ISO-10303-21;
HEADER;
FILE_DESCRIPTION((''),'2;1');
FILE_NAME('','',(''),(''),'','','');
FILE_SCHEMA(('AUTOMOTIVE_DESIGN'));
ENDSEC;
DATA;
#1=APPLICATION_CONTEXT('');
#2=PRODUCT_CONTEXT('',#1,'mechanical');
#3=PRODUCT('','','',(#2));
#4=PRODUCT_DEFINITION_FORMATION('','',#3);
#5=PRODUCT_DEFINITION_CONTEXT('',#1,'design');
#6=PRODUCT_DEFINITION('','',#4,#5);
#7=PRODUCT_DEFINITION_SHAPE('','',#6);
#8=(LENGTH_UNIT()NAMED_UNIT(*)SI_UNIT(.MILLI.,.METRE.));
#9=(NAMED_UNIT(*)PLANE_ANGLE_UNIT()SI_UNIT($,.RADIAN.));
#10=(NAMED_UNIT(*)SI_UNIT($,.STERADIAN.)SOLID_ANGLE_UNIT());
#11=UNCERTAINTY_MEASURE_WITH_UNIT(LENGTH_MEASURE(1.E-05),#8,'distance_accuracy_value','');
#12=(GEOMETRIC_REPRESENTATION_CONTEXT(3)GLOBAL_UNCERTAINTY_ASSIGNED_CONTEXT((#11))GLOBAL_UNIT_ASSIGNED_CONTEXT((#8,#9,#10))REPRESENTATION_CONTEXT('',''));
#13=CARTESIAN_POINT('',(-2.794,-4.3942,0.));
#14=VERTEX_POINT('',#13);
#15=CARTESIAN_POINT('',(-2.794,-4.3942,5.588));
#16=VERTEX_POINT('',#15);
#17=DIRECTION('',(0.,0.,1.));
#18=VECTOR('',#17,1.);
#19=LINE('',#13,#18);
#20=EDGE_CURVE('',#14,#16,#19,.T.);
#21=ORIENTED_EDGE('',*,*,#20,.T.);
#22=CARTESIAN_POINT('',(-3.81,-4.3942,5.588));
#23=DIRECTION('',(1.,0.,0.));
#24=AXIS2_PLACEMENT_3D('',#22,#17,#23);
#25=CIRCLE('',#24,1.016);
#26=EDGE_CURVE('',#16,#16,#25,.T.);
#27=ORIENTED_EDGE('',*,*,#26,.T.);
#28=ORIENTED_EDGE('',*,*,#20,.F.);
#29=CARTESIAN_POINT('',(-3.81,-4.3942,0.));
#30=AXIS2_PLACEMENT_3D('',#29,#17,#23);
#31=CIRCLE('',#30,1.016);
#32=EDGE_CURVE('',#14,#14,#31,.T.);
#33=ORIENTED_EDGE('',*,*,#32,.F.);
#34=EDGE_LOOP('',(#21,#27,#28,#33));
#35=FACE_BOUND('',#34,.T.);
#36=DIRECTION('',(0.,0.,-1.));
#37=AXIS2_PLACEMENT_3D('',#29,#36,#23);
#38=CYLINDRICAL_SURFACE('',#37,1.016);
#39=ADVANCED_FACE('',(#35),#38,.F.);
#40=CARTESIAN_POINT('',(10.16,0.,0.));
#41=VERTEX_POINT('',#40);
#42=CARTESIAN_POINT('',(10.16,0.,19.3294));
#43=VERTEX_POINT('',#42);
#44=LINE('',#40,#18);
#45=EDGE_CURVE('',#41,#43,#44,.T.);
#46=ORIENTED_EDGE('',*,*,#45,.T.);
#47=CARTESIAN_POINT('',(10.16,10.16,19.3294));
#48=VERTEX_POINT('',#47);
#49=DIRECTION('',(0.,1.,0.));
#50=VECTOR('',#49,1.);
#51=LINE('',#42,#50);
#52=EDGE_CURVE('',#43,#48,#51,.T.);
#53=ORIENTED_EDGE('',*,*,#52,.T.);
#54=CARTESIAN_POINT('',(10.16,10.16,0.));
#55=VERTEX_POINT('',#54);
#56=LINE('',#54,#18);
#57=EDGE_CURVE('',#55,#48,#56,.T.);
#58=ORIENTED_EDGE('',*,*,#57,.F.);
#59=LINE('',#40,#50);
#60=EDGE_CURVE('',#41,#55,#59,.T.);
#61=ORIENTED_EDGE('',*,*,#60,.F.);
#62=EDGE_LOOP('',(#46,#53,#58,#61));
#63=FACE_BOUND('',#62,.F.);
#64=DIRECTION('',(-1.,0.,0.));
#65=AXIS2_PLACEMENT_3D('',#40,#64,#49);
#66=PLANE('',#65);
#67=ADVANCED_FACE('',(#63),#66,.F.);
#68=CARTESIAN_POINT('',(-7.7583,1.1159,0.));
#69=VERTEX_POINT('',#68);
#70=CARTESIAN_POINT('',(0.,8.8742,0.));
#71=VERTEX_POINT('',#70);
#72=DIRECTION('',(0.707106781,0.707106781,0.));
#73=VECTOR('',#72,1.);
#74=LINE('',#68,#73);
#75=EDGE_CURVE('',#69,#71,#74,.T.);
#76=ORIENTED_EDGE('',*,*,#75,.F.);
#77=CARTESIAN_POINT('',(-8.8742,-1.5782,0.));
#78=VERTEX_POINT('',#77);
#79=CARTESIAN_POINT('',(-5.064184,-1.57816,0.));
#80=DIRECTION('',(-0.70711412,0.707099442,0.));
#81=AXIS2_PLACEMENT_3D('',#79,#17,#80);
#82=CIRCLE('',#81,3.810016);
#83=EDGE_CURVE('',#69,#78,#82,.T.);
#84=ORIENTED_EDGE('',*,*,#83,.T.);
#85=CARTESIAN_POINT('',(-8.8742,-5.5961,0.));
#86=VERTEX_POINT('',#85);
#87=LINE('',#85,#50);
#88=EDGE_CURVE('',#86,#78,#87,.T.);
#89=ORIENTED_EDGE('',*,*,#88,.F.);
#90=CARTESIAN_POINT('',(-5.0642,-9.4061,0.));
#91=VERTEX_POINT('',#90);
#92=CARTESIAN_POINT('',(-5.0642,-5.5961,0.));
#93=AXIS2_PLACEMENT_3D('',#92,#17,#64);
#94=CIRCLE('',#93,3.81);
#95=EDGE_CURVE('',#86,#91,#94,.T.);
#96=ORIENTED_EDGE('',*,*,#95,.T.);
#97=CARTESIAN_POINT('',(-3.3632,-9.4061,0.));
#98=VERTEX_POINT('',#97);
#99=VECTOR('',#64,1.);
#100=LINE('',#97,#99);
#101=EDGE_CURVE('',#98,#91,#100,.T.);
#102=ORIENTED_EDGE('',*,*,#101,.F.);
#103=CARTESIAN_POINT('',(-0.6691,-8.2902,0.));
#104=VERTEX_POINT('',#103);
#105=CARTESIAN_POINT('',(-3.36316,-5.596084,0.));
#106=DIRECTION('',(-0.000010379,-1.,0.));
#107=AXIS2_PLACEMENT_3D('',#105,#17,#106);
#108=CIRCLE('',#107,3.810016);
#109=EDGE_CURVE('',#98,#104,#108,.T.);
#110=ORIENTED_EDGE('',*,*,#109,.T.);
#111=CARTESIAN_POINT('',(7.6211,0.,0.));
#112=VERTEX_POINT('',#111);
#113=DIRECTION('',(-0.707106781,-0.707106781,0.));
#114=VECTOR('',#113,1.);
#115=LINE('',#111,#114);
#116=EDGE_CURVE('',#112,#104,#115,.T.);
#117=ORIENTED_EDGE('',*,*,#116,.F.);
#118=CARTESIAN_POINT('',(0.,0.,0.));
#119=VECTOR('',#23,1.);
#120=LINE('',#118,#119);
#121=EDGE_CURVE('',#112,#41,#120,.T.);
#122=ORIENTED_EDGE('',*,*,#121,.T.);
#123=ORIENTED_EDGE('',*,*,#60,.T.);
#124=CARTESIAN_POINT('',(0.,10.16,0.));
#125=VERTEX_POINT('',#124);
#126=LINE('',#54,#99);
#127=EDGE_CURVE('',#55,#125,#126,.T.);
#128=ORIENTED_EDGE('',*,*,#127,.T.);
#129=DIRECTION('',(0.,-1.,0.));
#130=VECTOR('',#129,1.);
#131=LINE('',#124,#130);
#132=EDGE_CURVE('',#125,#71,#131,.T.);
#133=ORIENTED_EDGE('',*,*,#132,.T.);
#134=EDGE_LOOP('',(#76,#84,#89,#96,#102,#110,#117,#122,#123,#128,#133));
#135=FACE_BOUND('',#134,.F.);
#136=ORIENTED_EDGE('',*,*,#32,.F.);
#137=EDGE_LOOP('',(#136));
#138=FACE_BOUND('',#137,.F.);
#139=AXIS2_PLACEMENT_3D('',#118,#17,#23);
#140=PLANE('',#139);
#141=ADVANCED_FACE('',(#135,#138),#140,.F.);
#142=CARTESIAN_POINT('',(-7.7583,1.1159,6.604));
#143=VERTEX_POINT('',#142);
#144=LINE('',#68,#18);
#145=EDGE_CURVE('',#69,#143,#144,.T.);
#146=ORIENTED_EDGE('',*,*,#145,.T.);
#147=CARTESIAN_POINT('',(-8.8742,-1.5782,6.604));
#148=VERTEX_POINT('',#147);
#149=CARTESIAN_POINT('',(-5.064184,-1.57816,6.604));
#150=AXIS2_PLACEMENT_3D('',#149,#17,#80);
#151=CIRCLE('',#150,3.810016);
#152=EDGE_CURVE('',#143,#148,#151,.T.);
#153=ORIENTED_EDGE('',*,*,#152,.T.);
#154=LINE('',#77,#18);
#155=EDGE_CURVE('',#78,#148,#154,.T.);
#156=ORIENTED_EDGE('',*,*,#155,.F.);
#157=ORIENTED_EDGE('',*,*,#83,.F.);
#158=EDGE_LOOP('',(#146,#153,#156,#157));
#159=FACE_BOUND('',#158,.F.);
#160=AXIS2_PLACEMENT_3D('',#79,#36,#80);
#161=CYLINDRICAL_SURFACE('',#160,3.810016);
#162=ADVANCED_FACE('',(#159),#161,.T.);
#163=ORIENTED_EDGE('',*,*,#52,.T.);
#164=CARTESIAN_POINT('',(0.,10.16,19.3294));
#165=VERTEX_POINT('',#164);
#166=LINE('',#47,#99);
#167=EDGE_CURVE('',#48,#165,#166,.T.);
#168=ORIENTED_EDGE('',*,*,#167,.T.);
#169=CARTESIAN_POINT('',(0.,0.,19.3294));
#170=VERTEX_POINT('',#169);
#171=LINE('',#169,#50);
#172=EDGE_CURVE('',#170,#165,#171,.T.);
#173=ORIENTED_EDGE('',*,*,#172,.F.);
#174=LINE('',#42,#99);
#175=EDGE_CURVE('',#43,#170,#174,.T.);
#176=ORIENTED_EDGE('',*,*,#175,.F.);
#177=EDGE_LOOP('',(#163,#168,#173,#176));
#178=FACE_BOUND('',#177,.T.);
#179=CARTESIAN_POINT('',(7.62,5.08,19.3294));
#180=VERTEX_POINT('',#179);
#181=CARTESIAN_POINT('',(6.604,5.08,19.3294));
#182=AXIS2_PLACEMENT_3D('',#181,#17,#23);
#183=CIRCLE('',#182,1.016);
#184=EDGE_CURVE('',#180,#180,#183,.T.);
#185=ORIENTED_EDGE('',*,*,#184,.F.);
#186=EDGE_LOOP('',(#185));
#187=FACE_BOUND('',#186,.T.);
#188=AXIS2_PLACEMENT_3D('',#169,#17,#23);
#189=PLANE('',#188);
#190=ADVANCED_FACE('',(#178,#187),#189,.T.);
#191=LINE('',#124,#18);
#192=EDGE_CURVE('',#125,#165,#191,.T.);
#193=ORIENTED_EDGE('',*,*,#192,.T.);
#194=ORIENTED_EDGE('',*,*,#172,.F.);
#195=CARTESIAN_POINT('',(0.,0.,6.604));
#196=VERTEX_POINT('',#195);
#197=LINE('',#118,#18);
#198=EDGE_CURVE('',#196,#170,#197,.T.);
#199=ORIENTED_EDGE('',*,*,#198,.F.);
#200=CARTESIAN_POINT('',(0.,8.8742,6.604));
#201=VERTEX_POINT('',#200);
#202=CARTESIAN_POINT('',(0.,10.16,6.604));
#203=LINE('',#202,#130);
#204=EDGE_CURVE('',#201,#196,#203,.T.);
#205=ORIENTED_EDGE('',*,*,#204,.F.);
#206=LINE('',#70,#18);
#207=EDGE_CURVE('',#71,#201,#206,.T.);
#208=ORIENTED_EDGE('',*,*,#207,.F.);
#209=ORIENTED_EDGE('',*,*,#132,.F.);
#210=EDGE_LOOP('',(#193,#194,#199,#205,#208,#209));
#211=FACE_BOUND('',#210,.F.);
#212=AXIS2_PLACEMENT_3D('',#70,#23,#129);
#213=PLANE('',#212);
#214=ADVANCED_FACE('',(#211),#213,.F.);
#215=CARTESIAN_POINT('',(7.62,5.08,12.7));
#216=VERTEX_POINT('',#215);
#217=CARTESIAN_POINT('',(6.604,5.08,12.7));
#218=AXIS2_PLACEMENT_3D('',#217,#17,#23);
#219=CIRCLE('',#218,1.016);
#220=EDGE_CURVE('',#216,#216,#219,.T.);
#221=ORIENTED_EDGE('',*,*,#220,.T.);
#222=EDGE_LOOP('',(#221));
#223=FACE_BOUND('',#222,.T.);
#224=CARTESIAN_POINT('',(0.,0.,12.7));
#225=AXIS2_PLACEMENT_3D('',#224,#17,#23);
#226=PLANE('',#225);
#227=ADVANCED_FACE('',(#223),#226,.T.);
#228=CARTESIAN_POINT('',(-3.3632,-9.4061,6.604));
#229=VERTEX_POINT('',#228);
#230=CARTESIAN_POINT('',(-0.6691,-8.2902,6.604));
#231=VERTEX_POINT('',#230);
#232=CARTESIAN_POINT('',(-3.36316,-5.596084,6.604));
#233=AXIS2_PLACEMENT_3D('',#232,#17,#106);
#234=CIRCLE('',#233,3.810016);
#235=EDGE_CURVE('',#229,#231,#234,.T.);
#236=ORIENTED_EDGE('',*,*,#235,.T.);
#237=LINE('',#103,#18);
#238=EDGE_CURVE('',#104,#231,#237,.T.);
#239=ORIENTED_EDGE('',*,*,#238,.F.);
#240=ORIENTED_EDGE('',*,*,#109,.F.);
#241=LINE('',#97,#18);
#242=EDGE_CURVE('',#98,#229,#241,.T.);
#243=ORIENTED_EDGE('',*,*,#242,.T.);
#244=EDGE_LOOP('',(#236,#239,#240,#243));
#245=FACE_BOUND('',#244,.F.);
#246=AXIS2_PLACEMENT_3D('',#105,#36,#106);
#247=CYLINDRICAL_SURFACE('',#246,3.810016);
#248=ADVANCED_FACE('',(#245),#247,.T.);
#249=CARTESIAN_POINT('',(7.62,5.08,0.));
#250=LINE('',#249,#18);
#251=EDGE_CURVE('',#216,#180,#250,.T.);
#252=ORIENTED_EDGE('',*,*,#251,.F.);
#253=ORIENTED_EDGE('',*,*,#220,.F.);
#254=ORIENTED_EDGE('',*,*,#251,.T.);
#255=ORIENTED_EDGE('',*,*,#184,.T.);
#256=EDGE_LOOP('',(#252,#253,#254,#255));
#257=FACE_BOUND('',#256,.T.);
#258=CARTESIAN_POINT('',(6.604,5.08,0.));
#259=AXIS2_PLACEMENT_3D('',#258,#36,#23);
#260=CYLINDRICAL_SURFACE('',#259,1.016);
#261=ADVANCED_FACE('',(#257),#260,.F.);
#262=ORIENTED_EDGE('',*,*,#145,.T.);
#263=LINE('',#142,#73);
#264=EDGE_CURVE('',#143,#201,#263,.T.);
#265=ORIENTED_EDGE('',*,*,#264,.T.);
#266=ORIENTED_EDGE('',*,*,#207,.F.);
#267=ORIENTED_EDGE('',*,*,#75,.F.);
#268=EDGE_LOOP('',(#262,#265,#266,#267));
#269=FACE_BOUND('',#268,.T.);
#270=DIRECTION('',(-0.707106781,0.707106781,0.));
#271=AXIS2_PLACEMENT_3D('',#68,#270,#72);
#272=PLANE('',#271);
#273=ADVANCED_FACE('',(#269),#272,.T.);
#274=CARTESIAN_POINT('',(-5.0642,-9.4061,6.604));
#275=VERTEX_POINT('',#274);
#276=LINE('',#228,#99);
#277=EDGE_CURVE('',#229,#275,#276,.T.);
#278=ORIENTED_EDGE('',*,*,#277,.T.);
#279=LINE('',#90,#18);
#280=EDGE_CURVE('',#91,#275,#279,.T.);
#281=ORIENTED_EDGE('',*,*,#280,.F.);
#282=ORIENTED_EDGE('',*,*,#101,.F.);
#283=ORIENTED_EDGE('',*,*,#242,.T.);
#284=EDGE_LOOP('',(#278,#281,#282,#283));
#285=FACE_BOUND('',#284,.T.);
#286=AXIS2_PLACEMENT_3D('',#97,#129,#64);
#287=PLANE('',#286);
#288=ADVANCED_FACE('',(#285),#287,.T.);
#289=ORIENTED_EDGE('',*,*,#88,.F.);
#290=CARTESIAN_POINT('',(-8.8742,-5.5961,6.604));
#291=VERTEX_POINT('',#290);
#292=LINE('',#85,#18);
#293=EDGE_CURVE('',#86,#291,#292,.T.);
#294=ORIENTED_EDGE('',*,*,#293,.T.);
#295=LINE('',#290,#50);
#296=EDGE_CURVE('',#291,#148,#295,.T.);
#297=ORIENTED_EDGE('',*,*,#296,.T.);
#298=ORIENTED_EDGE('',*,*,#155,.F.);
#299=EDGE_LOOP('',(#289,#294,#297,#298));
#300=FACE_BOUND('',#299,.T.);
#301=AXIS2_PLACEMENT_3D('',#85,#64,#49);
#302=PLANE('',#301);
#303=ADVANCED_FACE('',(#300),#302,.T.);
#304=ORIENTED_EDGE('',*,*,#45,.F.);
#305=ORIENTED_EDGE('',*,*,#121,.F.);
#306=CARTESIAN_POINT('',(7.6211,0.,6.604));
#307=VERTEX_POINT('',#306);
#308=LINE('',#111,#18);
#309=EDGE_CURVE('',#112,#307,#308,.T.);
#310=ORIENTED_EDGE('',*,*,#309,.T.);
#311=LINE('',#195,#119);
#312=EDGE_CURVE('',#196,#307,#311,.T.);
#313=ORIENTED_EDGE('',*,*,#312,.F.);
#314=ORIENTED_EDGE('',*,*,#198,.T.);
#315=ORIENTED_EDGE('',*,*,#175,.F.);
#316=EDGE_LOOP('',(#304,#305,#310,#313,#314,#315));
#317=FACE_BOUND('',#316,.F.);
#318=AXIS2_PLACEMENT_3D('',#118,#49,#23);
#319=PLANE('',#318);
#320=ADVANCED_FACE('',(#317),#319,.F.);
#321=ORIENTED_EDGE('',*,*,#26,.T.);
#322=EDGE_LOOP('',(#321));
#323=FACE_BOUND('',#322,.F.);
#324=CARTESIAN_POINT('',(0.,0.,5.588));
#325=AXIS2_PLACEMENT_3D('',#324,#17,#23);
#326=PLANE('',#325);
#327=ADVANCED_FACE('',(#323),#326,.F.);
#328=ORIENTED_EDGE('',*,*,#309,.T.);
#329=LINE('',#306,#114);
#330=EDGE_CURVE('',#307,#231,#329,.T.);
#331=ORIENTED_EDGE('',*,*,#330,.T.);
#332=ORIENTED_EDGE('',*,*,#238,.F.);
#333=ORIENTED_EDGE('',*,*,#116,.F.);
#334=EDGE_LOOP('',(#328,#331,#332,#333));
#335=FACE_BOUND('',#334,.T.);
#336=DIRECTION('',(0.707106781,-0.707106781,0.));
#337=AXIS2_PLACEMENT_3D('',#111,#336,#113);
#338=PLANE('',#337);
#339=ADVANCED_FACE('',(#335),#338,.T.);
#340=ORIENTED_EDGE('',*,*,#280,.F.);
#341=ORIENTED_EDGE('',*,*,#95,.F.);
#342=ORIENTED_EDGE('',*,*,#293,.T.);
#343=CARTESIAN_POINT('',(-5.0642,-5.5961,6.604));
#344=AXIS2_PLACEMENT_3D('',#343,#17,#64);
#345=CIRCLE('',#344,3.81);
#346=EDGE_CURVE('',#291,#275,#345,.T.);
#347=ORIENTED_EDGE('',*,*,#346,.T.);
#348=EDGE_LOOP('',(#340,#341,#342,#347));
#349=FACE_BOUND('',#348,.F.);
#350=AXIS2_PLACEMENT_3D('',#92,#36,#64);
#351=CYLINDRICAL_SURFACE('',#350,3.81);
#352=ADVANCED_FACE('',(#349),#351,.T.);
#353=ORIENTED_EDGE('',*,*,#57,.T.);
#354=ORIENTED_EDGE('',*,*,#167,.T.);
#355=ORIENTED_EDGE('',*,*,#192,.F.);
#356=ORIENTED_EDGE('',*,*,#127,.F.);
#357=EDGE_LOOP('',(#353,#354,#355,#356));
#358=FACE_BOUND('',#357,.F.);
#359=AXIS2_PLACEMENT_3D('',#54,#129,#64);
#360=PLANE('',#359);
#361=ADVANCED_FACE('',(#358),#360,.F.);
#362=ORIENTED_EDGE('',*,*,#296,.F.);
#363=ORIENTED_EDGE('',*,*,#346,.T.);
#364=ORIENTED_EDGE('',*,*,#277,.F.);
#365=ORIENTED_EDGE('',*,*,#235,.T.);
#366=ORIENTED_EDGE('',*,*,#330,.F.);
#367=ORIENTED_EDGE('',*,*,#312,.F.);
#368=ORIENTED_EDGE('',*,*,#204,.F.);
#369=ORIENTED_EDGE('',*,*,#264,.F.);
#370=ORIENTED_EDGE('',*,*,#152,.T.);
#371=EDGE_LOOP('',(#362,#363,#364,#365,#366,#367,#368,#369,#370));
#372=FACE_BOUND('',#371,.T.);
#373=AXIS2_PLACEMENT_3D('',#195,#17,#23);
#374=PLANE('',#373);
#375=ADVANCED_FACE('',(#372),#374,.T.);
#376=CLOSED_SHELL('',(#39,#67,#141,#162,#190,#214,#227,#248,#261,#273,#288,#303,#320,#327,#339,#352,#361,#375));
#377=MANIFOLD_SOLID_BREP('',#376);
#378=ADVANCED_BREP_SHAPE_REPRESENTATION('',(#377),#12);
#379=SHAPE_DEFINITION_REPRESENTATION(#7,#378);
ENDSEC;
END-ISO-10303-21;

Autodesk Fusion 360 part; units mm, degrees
sketch "Sketch1" plane through (0, 0, 0) normal (0, 0, 1) x (1, 0, 0)
  line L0 (0, 0) -> (10.16, 0)
  line L1 (10.16, 0) -> (10.16, 10.16)
  line L2 (10.16, 10.16) -> (0, 10.16)
  line L3 (0, 10.16) -> (0, 0)
  circle A0 centre (6.604, 5.08) radius 1.016
  circle A1 centre (-3.81, -4.3942) radius 1.016
  line L4 (7.6211, 0) -> (-0.6691, -8.2902)
  line L5 (7.6211, 0) -> (20.9233, 0) construction
  line L6 (-3.3632, -9.4061) -> (-5.0642, -9.4061)
  line L7 (-8.8742, -5.5961) -> (-8.8742, -1.5782)
  line L8 (-7.7583, 1.1159) -> (0, 8.8742)
  arc A2 (-3.3632, -9.4061) -> (-0.6691, -8.2902) centre (-3.3632, -5.5961) ccw
  arc A3 (-8.8742, -5.5961) -> (-5.0642, -9.4061) centre (-5.0642, -5.5961) ccw
  arc A4 (-7.7583, 1.1159) -> (-8.8742, -1.5782) centre (-5.0642, -1.5782) ccw
  dimension "d1" = 10.16
  dimension "d2" = 10.16
  dimension "d3" = 2.032
  dimension "d4" = 3.556
  dimension "d5" = 5.08
  dimension "d6" = 2.032
  dimension "d7" = 4.3942
  dimension "d8" = 3.81
  dimension "d9" = 135
  dimension "d10" = 135
  dimension "d11" = 3.81
  dimension "d12" = 3.81
  dimension "d13" = 3.81
extrude "Extrude1" add sketch "Sketch1" along normal blind 19.3294 contours L0 L1 L2 L3
extrude "Extrude2" add sketch "Sketch1" along normal blind 6.604 contours L0 L3 L4 L6 L7 L8 A2 A3 A4
extrude "Extrude3" add sketch "Sketch1" along normal blind 6.604 contours A1
extrude "Extrude4" cut sketch "Sketch1" along normal blind 5.588 contours A1
extrude "Extrude5" add sketch "Sketch1" along normal blind 12.7 contours A0
